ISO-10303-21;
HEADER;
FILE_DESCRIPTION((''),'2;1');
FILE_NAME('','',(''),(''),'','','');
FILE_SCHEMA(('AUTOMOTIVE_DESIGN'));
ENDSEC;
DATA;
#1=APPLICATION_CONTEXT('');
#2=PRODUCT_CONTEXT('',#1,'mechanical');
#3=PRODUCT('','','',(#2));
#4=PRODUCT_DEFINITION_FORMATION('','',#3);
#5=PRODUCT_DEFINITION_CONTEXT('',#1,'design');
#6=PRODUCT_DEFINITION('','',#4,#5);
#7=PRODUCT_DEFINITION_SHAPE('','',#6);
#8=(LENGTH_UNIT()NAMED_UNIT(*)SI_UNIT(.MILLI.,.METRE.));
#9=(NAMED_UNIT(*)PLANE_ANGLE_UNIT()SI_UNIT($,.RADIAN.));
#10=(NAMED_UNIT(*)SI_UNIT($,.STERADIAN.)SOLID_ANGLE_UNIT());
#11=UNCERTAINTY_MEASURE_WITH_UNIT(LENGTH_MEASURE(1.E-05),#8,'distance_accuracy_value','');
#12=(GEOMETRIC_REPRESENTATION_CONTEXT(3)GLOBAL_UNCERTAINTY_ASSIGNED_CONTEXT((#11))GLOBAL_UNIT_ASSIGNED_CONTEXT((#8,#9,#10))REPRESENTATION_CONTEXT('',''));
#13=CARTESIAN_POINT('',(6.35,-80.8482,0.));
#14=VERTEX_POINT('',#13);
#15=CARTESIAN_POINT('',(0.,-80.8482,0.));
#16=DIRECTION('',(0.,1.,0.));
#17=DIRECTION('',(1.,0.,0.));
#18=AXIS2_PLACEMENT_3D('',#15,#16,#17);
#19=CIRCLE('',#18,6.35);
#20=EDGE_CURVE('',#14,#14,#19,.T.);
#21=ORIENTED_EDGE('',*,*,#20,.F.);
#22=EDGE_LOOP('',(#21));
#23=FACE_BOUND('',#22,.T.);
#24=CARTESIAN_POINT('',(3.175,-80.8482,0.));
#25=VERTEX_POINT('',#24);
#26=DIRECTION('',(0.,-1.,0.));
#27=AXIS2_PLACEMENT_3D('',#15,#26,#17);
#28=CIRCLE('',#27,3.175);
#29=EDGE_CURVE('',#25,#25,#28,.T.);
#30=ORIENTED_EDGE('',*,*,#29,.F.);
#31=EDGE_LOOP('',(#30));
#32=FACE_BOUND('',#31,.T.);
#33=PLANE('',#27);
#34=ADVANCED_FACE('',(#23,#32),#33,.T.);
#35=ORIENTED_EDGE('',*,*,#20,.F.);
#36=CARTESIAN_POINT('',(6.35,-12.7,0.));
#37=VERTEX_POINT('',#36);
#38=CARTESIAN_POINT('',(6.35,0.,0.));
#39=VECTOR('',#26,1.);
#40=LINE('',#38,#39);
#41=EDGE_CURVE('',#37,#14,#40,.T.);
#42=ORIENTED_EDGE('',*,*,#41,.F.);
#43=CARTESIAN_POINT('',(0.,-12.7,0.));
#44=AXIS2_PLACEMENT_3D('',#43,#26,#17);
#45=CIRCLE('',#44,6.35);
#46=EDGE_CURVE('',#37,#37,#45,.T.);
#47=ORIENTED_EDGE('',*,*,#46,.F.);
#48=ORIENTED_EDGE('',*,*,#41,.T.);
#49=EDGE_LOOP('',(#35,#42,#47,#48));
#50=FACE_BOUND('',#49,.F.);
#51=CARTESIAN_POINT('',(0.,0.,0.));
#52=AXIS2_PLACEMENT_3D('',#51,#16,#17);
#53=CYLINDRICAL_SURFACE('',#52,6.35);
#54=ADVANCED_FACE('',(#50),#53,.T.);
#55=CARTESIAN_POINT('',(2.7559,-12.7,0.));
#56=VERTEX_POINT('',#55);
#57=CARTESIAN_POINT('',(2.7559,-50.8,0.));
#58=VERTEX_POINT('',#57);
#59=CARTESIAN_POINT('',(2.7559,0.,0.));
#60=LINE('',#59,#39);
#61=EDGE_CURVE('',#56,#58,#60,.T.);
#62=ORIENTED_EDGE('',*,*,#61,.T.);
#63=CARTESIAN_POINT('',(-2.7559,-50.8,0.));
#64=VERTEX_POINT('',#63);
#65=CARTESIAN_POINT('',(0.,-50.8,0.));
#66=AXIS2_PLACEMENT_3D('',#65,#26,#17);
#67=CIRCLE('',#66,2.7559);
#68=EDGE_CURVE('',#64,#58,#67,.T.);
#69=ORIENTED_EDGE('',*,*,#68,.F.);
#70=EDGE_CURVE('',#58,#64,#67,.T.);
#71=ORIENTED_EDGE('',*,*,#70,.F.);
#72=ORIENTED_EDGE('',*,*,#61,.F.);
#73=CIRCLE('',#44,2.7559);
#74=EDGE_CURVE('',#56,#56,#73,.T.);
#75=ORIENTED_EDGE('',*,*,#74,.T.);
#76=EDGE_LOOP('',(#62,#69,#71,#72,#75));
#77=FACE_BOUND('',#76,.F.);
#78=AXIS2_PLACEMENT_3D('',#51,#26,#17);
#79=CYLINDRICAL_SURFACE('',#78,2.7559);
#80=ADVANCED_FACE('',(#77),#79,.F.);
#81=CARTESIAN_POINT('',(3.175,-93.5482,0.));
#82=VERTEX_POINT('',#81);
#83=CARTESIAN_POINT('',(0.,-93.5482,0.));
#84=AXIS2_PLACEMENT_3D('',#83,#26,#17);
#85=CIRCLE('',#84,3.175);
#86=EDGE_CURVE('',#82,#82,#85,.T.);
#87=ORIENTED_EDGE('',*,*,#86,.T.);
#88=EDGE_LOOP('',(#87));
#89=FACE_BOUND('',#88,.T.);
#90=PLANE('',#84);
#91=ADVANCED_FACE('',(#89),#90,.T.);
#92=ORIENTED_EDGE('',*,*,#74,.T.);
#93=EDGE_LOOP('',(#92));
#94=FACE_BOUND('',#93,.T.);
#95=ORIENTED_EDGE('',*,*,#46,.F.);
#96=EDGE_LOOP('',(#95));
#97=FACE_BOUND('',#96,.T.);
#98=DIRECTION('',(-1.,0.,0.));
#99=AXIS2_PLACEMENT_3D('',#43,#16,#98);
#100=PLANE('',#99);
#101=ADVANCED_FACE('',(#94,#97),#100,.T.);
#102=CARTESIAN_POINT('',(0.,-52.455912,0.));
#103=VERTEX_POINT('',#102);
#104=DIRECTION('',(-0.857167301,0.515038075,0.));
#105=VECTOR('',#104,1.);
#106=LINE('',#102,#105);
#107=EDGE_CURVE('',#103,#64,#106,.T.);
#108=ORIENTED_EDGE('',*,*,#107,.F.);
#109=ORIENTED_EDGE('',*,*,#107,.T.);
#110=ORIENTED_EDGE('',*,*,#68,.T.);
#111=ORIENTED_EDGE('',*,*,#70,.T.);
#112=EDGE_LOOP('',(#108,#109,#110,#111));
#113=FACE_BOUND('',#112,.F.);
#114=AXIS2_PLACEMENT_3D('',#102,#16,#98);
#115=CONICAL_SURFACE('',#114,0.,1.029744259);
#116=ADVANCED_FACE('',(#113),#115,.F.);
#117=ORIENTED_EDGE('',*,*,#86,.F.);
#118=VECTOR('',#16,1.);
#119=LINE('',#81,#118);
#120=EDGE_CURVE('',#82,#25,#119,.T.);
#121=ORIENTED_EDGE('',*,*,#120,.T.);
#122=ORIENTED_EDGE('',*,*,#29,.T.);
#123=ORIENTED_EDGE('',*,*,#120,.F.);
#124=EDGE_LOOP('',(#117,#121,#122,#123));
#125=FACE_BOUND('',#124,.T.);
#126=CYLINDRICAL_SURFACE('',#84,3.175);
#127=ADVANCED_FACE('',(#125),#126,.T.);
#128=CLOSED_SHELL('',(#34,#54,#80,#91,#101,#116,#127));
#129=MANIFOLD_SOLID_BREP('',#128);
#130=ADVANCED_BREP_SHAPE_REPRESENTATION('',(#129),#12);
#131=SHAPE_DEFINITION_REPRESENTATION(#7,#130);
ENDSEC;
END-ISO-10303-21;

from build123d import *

# Parameters (mm, degrees)
F0_R           = 6.35
F1_DEPTH       = 93.5482
F2_R           = 7.62
F2_R_2         = 3.175
F3_DEPTH       = 12.7
F5_D           = 5.5118
F5_DEPTH       = 50.8
F5_CBORE_D     = 12.7
F5_CBORE_DEPTH = 12.7
F5_TIP         = 1.65591178


with BuildPart() as f1:
    # F0 (on Front) → F1 (new body)
    with BuildSketch(Plane.XZ):
        Circle(F0_R)
    extrude(amount=F1_DEPTH)

    # F2 (on face) → F3 (cut)
    with BuildSketch(Plane.XZ.offset(93.5482)):
        Circle(F2_R)
        Circle(F2_R_2, mode=Mode.SUBTRACT)
    extrude(amount=-F3_DEPTH, mode=Mode.SUBTRACT)

    # F5
    with Locations(Plane(origin=(0, 0, 0), x_dir=(-1, 0, 0), z_dir=(0, 1, 0))):
        with Locations((0, 0)):
            CounterBoreHole(F5_D / 2, F5_CBORE_D / 2, F5_CBORE_DEPTH, depth=F5_DEPTH)
            with Locations((0, 0, -(F5_DEPTH + F5_TIP / 2))):  # 118° drill point
                Cone(0, F5_D / 2, F5_TIP, mode=Mode.SUBTRACT)


solid = f1.part
